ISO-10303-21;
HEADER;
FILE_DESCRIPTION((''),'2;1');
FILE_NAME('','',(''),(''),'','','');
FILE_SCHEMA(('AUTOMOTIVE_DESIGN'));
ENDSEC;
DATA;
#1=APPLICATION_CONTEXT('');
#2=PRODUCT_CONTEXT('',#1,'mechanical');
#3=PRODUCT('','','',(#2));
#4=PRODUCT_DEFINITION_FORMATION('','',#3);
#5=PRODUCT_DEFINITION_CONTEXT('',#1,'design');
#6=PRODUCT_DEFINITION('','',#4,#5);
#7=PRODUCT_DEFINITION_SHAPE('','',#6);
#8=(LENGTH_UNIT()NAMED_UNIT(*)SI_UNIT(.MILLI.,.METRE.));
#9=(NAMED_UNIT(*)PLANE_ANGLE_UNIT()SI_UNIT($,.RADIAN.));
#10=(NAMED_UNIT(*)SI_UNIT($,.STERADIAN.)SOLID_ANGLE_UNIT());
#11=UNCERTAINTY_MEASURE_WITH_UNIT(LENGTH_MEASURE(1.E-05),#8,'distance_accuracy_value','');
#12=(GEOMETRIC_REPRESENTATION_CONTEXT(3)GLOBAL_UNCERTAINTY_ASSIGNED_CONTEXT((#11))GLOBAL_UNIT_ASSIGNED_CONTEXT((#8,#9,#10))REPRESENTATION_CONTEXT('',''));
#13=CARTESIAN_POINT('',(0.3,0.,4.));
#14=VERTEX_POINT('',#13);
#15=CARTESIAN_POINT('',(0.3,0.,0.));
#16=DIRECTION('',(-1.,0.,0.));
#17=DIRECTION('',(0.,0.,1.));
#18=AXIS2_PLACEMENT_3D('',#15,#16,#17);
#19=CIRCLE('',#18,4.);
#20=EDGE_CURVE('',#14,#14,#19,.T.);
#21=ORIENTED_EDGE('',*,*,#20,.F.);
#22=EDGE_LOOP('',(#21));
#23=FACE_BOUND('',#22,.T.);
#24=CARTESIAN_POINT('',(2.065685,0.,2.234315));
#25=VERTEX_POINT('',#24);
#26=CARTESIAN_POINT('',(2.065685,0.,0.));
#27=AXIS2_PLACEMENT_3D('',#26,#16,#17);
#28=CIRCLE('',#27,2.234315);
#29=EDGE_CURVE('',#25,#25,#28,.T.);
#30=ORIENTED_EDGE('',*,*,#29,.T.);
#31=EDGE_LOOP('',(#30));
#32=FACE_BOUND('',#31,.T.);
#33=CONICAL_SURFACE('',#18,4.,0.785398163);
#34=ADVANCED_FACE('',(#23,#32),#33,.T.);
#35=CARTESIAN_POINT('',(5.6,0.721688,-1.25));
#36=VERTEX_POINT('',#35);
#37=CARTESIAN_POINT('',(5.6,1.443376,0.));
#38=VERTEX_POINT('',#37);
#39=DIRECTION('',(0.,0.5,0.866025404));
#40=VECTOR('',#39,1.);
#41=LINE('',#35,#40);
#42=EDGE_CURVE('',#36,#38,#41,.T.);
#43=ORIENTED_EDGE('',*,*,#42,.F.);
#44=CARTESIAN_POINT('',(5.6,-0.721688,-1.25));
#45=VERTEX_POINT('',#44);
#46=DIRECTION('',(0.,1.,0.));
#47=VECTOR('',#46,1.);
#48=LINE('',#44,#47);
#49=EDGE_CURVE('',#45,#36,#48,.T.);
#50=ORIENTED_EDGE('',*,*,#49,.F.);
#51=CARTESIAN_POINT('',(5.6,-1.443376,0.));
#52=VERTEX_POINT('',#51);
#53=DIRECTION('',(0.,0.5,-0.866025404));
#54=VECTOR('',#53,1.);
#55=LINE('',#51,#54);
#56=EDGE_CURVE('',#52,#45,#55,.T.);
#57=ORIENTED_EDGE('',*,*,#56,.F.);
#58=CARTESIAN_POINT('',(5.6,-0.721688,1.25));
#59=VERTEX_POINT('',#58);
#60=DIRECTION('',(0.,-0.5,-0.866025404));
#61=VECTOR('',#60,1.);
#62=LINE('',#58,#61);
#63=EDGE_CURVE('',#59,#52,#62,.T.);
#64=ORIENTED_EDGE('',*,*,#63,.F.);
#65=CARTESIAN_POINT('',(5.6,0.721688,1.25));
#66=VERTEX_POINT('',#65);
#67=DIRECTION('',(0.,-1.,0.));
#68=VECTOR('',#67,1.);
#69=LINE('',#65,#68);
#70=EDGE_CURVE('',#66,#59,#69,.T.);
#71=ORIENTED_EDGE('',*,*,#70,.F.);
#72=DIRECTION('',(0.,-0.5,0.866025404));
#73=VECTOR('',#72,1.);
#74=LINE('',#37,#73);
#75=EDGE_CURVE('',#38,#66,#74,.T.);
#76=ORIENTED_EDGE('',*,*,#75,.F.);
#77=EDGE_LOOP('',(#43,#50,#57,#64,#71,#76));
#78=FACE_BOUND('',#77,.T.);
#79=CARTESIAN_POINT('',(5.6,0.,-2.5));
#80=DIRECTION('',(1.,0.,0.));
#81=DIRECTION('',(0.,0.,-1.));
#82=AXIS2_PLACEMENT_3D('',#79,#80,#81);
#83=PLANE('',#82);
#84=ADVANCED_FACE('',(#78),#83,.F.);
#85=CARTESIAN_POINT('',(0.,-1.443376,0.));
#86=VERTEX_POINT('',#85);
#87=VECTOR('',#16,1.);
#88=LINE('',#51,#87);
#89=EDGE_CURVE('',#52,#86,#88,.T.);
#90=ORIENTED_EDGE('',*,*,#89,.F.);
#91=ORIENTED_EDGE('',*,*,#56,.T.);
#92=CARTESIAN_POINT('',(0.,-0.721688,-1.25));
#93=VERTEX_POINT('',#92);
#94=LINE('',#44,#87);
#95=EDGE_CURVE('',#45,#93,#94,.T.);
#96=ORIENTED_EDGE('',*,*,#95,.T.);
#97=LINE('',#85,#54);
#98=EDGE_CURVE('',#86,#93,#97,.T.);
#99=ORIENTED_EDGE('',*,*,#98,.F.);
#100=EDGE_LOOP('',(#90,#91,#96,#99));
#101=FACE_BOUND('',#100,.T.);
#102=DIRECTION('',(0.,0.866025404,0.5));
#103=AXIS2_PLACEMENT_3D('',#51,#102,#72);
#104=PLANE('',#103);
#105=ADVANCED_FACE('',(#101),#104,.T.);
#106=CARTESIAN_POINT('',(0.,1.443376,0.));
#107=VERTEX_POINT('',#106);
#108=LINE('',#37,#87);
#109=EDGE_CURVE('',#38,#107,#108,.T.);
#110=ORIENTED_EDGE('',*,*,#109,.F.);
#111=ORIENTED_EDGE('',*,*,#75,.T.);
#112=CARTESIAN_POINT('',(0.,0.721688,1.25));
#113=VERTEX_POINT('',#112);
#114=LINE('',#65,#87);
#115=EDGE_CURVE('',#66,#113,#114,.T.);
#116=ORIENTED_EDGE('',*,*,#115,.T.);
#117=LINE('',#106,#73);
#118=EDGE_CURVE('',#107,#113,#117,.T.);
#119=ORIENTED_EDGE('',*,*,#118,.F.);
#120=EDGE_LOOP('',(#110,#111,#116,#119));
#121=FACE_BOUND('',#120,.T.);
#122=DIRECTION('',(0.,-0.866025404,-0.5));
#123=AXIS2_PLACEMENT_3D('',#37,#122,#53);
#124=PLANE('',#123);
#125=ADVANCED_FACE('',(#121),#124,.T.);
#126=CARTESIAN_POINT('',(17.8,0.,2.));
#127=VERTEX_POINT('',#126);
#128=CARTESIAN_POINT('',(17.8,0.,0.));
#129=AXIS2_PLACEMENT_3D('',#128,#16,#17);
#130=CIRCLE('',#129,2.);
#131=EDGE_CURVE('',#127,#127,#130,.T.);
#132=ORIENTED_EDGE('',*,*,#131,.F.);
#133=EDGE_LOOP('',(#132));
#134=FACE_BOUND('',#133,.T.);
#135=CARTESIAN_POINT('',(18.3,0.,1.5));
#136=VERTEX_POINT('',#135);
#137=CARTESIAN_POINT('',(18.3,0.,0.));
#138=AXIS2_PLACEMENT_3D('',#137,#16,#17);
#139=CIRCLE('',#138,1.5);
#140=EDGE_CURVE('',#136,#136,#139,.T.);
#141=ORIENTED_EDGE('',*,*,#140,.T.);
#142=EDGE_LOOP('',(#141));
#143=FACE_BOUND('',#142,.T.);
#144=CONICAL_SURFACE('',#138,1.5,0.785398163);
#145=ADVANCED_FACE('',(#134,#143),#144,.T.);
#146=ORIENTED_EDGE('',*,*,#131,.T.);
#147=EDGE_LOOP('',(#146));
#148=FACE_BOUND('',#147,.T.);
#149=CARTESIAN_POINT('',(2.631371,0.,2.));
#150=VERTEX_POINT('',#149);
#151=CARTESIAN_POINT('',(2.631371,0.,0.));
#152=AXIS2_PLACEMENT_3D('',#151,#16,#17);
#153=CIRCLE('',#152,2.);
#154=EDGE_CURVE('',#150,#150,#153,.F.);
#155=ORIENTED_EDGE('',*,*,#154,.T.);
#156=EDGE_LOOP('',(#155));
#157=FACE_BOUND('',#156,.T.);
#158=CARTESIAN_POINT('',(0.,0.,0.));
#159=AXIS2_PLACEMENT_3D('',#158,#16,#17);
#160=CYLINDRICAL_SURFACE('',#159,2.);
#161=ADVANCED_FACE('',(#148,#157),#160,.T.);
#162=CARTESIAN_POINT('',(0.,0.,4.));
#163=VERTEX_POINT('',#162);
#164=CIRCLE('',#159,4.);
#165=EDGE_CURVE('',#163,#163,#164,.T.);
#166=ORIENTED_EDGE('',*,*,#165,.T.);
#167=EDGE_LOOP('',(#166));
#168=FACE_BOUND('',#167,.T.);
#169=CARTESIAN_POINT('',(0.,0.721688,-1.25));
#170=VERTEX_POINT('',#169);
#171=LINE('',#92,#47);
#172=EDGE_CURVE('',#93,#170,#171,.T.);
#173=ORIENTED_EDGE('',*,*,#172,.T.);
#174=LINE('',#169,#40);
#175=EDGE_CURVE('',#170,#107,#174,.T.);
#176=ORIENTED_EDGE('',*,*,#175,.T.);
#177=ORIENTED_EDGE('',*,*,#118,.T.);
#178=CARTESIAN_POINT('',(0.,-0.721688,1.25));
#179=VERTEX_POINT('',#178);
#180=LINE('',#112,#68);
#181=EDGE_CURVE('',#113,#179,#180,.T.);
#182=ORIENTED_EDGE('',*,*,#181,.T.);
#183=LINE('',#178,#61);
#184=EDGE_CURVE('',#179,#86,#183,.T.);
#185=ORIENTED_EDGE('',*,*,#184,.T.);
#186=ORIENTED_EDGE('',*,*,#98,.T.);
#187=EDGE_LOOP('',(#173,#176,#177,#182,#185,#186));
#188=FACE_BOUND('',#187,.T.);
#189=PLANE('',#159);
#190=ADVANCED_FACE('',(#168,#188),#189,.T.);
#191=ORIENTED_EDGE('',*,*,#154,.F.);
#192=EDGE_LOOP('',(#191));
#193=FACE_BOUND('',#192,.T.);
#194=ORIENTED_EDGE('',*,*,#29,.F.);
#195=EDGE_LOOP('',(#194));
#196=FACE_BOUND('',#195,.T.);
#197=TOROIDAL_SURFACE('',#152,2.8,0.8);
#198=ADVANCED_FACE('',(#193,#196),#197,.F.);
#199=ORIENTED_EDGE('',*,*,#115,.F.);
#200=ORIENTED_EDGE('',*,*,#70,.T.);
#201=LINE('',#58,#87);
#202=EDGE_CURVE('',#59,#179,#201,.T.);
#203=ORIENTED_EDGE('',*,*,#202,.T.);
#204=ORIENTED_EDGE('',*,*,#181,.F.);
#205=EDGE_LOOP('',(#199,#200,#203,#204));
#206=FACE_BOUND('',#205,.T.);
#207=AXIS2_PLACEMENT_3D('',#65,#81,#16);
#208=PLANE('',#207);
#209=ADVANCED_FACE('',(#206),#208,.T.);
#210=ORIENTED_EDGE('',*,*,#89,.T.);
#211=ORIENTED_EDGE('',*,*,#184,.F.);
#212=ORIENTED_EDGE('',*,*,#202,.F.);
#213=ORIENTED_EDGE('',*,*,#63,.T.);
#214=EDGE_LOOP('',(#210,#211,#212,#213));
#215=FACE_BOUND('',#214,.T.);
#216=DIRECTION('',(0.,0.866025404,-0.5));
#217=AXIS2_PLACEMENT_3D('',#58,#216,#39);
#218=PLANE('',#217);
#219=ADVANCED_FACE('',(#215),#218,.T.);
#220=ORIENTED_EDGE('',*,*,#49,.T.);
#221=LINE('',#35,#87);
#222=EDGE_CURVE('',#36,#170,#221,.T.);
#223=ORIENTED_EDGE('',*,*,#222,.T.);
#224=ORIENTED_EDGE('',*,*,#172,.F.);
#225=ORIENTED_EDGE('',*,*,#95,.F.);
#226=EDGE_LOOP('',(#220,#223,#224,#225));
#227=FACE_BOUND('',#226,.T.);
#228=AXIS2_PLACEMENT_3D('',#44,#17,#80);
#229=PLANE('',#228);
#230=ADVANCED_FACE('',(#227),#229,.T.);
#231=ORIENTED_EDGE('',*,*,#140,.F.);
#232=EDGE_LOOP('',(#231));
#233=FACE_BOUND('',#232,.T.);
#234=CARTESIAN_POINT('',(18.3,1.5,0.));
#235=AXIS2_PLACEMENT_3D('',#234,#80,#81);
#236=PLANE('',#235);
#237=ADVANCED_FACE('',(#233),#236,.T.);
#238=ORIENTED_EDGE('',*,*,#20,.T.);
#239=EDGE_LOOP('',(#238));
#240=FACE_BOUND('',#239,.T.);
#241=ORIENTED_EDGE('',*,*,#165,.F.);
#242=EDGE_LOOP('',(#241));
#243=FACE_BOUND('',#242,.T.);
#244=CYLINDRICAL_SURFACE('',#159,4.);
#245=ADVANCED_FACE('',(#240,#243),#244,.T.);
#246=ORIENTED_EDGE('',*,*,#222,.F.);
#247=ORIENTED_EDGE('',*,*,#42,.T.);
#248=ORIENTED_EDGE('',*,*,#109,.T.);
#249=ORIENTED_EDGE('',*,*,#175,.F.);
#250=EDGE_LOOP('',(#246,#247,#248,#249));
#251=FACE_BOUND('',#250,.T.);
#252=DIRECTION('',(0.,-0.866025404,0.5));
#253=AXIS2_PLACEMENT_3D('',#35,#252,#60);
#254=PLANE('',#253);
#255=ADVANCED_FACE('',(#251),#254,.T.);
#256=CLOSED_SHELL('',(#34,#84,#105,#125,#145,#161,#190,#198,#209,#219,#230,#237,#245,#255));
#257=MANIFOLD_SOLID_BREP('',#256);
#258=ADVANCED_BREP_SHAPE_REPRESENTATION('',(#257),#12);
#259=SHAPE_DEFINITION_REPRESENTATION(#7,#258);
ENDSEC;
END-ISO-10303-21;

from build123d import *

# Parameters (mm, degrees)
FILLET1_R   = 0.8
HEX_2_DEPTH = 5.6


with BuildPart() as part:
    # BodySke → BaseBody (revolve)
    with BuildSketch(Plane.XY):
        Polygon((0, 0), (0, 4), (0.3, 4), (2.3, 2), (17.8, 2), (18.3, 1.5), (18.3, 0), align=None)
    revolve(axis=Axis((0, 0, 0), (1, 0, 0)))

    # Fillet1
    fillet1_edges = [part.edges().sort_by_distance(p)[0] for p in [
        (2.3, -2, 0),
    ]]
    fillet(fillet1_edges, radius=FILLET1_R)

    # Sketch3 → Hex 2 (cut)
    with BuildSketch(Plane.ZY):
        Polygon((-1.25, -0.721687836), (-1.25, 0.721687836), (0, 1.443375673), (1.25, 0.721687836), (1.25, -0.721687836), (0, -1.443375673), align=None)
    extrude(amount=-HEX_2_DEPTH, mode=Mode.SUBTRACT)


solid = part.part
